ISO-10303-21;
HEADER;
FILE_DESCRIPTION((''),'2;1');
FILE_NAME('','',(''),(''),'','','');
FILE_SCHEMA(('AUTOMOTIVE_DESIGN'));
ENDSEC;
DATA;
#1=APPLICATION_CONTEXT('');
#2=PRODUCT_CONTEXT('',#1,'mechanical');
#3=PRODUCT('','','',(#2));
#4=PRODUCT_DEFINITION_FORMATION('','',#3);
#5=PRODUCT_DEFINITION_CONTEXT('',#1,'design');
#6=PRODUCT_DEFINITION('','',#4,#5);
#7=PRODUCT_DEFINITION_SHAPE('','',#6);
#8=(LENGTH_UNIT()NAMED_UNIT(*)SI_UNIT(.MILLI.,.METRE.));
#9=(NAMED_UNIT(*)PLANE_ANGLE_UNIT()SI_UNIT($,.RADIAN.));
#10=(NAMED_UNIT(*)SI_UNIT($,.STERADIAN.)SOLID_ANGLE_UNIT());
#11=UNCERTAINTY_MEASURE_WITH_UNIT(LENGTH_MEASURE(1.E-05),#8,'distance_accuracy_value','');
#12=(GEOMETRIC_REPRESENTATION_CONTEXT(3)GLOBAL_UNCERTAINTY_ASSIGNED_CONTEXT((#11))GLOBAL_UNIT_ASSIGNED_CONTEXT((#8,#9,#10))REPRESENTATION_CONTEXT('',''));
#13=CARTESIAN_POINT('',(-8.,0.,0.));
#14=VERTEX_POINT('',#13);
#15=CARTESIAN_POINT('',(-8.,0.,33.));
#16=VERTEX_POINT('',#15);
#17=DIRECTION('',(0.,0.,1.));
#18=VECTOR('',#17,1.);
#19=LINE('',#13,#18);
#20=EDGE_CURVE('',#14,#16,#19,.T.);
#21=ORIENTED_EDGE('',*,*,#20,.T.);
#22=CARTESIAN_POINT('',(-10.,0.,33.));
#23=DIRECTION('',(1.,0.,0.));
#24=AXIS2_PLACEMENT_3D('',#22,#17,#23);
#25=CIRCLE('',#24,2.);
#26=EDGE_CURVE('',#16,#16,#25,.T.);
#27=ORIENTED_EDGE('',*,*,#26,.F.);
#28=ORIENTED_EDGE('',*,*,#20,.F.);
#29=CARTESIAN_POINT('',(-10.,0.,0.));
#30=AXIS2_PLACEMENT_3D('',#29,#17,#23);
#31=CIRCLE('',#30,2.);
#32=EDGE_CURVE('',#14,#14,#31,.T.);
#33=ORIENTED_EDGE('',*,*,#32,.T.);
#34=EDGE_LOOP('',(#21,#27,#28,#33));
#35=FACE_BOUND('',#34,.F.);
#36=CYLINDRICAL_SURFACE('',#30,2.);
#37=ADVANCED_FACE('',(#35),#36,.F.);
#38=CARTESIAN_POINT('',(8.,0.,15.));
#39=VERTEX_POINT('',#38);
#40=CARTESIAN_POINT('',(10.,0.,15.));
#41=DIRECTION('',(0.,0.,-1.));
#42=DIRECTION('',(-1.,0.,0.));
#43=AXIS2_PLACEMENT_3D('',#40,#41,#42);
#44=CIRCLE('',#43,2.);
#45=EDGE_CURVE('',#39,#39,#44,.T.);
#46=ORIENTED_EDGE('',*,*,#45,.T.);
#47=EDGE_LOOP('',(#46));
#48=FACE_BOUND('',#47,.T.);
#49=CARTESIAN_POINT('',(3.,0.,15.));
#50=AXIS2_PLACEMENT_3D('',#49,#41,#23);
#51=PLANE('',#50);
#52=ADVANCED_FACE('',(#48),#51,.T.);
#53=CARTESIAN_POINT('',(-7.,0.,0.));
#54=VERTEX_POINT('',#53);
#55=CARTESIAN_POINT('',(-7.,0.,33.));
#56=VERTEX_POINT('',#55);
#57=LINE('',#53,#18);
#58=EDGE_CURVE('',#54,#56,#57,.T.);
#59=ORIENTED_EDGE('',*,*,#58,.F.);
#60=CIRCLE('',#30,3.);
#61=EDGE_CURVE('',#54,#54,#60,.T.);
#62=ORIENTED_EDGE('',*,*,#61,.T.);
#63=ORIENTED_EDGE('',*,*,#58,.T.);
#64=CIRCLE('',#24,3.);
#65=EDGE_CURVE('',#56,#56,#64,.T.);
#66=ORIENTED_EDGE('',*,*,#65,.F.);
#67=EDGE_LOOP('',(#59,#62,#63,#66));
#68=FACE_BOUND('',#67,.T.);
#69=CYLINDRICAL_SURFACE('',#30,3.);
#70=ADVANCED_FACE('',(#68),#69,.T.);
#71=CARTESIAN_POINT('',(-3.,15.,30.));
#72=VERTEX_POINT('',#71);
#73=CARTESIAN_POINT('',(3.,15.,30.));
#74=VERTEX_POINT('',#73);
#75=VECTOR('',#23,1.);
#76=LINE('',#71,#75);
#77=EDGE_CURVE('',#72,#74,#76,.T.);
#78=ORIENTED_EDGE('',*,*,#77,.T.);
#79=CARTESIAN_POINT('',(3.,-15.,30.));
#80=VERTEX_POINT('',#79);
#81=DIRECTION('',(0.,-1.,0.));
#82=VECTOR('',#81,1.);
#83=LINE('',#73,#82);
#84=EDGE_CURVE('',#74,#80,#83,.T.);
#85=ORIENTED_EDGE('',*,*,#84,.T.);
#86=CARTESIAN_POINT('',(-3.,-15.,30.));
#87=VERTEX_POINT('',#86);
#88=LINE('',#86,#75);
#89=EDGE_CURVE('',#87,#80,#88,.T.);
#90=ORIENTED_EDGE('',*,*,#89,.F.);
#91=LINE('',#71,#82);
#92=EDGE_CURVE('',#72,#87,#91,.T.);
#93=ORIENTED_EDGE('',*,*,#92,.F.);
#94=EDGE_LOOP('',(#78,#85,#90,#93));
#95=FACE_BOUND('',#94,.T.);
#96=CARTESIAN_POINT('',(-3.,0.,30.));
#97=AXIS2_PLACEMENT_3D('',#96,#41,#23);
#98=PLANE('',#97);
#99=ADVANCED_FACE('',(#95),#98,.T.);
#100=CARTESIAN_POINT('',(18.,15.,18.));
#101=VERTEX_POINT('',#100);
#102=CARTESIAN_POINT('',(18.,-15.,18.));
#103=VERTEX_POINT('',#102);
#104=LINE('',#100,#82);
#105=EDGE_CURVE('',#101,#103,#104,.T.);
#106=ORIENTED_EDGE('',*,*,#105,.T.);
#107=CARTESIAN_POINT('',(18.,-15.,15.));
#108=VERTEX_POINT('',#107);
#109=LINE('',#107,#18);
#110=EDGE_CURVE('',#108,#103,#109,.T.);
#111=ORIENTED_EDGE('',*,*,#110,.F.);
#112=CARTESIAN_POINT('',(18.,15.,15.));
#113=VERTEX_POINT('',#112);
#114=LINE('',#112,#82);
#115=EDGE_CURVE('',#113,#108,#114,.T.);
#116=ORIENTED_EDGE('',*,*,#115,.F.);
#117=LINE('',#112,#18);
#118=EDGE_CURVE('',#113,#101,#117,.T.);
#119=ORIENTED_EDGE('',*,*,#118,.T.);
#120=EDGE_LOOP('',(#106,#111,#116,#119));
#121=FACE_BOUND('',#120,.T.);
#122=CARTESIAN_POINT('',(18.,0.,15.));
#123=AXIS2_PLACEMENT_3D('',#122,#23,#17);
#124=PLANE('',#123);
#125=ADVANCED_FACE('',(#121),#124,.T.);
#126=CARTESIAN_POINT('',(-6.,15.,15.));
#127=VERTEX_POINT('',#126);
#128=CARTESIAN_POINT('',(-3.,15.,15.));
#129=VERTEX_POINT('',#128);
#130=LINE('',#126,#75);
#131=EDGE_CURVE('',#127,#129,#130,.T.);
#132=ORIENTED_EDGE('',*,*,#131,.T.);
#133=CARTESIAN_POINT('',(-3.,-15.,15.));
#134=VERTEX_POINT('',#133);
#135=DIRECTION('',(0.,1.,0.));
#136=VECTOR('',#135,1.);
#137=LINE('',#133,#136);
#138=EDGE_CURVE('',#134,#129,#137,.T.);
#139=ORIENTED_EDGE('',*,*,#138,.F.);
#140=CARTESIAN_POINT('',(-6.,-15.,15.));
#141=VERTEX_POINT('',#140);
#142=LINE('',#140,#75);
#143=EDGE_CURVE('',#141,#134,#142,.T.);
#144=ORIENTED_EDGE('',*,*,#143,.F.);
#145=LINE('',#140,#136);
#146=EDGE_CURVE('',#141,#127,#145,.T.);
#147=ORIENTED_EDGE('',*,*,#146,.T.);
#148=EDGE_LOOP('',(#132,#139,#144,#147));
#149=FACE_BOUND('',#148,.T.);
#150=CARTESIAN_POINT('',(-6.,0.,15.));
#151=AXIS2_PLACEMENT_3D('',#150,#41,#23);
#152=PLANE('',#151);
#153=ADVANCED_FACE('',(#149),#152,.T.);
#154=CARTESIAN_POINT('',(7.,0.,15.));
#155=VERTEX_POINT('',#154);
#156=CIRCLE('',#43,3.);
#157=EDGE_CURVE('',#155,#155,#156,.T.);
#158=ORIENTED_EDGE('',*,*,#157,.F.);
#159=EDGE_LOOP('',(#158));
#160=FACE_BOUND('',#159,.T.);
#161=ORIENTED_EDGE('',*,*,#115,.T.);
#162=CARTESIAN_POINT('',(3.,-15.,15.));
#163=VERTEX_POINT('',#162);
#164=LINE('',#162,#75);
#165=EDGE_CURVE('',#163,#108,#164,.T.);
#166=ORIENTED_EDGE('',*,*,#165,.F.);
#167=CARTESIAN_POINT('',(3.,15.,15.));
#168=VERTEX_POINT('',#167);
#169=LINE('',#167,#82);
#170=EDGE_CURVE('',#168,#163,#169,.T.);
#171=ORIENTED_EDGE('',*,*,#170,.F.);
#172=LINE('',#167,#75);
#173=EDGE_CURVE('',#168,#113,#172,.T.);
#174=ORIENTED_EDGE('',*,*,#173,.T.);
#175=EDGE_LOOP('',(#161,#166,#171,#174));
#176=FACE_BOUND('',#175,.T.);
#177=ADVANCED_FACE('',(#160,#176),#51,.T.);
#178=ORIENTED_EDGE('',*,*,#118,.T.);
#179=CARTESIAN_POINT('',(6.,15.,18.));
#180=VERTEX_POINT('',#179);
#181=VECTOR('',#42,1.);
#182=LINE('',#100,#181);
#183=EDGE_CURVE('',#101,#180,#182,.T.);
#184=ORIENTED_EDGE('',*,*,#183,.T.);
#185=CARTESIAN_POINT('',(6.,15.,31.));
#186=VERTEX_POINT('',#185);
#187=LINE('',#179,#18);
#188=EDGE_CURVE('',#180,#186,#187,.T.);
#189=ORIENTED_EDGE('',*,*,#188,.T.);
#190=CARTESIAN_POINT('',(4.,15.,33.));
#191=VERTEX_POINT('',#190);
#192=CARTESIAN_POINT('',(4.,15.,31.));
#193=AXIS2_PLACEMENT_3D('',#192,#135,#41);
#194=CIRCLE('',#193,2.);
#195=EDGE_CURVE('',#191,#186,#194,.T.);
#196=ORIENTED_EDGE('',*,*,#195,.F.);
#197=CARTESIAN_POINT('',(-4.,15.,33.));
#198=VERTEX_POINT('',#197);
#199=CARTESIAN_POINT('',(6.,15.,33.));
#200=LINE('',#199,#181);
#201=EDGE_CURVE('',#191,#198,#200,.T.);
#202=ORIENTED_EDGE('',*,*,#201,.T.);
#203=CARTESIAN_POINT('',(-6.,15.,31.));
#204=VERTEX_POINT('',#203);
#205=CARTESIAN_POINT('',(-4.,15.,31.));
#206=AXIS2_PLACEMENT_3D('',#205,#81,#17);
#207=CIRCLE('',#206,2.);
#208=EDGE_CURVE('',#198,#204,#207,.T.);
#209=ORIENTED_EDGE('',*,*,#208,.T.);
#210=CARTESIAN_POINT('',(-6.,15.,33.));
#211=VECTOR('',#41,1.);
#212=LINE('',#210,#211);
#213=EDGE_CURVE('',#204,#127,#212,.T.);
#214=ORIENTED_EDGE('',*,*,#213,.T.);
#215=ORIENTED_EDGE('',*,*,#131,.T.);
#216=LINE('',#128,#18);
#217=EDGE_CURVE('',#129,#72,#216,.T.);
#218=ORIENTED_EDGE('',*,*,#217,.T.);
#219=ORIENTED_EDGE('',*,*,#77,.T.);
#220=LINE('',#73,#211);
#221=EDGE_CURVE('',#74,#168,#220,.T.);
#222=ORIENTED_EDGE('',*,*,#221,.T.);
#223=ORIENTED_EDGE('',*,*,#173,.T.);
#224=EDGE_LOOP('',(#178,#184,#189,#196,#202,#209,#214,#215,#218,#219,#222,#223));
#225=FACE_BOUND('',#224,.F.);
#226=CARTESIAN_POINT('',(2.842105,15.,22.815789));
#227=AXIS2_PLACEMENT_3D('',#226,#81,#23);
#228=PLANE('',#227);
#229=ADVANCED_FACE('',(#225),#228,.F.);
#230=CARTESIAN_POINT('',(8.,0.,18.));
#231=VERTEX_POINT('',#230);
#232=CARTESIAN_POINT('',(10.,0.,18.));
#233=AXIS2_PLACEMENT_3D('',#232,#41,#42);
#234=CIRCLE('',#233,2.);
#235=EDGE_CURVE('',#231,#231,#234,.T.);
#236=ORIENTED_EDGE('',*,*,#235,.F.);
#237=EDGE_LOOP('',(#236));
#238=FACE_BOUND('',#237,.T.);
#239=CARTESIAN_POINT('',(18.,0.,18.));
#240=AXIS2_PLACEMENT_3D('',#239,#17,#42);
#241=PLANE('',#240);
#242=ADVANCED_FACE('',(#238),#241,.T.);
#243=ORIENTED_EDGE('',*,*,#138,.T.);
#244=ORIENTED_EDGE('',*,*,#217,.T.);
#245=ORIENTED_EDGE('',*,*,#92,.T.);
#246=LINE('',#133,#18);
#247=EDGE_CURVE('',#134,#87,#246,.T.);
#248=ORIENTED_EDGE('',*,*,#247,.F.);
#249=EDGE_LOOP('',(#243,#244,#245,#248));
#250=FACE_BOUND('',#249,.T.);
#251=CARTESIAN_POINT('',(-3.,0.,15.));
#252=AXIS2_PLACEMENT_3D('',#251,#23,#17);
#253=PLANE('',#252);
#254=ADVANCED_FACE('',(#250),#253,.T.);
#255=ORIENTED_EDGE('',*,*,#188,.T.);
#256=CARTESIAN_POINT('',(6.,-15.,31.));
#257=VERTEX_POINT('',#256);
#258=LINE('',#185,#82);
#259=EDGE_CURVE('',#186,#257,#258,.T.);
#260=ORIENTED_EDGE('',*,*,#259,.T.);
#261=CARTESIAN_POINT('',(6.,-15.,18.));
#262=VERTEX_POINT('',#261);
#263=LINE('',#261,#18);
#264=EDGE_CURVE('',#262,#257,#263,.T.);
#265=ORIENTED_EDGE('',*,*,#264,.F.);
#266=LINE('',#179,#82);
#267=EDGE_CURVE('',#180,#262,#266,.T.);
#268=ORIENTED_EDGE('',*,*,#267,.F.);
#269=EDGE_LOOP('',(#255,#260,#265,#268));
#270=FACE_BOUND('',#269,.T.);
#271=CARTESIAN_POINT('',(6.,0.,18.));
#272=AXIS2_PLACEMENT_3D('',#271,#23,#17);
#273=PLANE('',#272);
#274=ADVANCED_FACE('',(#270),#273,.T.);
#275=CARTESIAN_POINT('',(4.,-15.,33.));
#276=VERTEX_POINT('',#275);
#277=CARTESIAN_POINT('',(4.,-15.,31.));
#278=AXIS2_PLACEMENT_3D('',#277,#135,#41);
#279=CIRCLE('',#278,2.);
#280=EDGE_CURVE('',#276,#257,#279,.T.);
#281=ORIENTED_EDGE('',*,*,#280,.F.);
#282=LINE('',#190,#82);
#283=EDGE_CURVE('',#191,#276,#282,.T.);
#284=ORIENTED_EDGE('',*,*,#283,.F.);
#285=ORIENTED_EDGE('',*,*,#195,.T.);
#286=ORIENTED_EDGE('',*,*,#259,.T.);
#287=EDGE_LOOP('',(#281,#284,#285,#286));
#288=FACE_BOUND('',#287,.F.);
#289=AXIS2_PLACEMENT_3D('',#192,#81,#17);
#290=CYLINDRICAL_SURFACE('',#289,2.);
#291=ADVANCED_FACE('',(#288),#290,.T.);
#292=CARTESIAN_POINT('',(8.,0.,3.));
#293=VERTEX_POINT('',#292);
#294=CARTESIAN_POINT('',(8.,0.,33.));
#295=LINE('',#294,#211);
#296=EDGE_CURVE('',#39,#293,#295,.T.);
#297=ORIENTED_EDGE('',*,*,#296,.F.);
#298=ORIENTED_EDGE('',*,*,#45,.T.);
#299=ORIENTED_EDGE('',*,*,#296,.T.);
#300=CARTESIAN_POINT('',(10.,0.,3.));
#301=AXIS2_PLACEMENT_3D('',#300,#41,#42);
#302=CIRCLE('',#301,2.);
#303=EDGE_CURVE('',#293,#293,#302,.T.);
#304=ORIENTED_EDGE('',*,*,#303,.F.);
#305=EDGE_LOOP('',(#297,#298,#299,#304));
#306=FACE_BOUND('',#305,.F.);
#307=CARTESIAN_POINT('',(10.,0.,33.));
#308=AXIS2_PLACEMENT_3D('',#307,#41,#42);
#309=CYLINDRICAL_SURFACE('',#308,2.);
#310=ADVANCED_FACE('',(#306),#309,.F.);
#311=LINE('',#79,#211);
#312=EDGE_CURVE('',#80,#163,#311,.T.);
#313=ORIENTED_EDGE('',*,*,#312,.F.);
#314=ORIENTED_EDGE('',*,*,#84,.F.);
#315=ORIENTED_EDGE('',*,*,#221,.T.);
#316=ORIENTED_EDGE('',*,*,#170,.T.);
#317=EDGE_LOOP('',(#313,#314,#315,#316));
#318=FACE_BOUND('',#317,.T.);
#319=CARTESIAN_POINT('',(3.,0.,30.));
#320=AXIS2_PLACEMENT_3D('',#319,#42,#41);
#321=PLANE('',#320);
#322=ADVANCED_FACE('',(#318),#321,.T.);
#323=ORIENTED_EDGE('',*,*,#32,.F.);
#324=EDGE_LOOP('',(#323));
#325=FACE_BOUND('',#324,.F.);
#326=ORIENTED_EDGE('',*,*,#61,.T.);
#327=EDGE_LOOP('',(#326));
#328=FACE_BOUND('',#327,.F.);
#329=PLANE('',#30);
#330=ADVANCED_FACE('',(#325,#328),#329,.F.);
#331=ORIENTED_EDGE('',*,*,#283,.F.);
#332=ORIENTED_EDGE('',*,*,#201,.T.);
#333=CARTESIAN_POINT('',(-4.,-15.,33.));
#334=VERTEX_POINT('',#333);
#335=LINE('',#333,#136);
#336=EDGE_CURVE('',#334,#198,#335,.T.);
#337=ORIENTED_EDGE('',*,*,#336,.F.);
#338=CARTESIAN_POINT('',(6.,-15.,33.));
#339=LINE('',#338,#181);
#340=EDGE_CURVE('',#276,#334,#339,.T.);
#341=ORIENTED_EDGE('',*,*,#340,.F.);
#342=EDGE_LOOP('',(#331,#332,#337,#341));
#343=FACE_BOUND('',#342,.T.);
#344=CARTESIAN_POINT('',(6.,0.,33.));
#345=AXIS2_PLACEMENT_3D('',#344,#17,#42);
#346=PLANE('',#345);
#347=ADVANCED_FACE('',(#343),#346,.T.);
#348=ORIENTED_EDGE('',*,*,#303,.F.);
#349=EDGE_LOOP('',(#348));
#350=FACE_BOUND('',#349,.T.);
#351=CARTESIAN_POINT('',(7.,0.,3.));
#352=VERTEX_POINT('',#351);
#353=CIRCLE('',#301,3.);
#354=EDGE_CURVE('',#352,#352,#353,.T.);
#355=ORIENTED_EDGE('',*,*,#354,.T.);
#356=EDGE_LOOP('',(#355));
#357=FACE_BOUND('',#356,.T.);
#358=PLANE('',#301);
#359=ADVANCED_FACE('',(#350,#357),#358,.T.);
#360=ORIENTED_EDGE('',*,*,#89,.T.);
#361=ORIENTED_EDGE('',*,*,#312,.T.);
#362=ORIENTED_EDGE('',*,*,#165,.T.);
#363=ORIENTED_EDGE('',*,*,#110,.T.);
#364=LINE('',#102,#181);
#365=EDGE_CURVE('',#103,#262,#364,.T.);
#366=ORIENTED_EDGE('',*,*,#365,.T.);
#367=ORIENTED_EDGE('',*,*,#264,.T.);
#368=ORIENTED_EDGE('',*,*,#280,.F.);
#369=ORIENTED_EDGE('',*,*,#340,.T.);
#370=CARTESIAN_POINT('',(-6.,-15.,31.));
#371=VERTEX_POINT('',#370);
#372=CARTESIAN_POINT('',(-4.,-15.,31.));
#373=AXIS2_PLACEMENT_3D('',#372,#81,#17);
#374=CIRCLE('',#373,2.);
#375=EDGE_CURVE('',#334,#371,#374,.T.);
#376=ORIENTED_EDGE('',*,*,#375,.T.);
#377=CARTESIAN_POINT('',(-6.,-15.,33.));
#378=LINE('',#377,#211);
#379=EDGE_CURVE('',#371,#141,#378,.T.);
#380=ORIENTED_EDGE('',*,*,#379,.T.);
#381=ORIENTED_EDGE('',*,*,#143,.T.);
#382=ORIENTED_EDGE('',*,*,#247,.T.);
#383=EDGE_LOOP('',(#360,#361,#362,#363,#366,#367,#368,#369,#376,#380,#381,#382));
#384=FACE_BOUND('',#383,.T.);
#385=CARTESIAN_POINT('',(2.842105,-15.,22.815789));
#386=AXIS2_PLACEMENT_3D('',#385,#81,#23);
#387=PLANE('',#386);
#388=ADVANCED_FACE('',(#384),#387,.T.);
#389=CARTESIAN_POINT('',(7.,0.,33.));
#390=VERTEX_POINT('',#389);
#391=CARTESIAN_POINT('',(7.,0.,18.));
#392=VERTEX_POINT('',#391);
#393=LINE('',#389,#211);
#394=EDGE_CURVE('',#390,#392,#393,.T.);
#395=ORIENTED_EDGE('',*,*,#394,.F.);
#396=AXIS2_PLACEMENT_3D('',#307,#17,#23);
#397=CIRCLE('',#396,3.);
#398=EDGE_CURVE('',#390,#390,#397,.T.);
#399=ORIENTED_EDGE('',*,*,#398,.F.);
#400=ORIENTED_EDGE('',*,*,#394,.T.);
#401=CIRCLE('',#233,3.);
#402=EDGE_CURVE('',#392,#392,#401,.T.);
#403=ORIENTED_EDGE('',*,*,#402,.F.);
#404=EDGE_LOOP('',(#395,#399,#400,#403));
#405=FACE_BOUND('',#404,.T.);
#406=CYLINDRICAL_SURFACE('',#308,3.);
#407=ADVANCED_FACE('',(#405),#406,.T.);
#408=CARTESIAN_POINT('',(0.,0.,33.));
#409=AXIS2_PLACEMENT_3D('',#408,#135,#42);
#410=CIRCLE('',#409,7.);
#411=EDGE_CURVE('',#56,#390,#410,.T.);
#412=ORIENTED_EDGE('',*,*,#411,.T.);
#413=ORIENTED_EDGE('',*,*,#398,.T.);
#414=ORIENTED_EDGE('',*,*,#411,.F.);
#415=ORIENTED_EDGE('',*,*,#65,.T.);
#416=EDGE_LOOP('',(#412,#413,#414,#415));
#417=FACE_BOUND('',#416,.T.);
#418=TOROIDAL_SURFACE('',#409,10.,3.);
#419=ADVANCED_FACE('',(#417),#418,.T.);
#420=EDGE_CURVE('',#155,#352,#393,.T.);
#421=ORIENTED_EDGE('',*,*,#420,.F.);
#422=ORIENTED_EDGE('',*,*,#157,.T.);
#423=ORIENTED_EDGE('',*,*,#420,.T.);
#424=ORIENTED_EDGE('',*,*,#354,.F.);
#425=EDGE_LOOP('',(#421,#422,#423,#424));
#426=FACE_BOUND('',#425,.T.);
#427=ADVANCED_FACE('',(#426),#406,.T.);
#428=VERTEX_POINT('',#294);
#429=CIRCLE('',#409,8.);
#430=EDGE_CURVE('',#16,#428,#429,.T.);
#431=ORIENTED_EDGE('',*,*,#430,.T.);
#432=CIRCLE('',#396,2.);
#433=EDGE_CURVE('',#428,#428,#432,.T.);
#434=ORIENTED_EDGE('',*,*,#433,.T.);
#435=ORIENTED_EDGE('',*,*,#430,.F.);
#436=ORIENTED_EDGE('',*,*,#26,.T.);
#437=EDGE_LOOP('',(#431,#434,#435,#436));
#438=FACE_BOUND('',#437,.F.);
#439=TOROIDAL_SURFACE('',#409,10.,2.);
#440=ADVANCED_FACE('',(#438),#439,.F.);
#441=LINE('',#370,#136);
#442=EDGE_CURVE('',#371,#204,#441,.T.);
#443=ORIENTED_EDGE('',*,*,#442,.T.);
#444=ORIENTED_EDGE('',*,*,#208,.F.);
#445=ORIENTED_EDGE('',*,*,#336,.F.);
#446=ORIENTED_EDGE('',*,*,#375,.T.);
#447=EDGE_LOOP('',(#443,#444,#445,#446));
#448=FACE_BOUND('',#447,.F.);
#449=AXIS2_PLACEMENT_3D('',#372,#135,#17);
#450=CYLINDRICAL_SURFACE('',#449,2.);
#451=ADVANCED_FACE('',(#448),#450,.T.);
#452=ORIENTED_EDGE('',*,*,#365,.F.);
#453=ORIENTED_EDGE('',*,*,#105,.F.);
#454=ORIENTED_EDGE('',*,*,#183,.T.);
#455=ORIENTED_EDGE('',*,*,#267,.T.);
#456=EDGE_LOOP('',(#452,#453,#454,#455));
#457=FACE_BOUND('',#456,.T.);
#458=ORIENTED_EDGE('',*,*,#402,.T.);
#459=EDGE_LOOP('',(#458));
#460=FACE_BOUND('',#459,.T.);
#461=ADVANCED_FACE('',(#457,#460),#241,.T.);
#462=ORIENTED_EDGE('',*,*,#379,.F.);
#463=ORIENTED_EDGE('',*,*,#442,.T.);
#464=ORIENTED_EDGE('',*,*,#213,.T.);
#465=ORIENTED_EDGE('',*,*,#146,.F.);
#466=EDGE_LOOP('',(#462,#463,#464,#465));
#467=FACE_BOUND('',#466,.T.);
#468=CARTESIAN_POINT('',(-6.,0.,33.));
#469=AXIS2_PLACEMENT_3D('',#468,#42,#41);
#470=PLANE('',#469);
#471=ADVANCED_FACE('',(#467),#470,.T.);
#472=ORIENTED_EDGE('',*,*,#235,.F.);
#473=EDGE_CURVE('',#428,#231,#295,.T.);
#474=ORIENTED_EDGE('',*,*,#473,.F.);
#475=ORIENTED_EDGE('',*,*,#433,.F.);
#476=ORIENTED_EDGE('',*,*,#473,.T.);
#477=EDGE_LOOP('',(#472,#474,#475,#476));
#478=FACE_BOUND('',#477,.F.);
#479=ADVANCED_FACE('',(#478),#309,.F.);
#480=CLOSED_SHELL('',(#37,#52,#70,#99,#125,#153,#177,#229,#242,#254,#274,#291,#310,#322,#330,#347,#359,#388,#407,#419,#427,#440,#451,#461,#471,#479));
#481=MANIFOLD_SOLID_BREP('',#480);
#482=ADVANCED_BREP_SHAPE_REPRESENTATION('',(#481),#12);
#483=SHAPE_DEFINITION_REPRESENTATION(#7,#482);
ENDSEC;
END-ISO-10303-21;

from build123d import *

# Parameters (mm, degrees)
F1_DEPTH = 15
F2_R     = 2
F3_R     = 2
F5_R     = 3
F5_R_2   = 1.9999997224


with BuildPart() as f1:
    # F0 (on Front) → F1 (new body, symmetric)
    with BuildSketch(Plane.XZ):
        Polygon((-3, 15), (-3, 30), (3, 30), (3, 15), (18, 15), (18, 18), (6, 18), (6, 33), (-6, 33), (-6, 15), align=None)
    extrude(amount=F1_DEPTH, both=True)

    # F2
    f2_edges = [f1.edges().sort_by_distance(p)[0] for p in [
        (6, 0, 33),
    ]]
    fillet(f2_edges, radius=F2_R)

    # F3
    f3_edges = [f1.edges().sort_by_distance(p)[0] for p in [
        (-6, 0, 33),
    ]]
    fillet(f3_edges, radius=F3_R)

    # F6: sweep along a path in F4
    with BuildLine(Plane.XZ) as f6_path:
        Line((-10, 0), (-10, 33))
        ThreePointArc((-10, 33), (0, 43), (10, 33))
        Line((10, 33), (10, 3))
    # F5 (on Top) → F6 (sweep)
    with BuildSketch(Plane.XY):
        with Locations((-10, 0)):
            Circle(F5_R)
        with Locations((-10, 0)):
            Circle(F5_R_2, mode=Mode.SUBTRACT)
    sweep(path=f6_path.line)


solid = f1.part
